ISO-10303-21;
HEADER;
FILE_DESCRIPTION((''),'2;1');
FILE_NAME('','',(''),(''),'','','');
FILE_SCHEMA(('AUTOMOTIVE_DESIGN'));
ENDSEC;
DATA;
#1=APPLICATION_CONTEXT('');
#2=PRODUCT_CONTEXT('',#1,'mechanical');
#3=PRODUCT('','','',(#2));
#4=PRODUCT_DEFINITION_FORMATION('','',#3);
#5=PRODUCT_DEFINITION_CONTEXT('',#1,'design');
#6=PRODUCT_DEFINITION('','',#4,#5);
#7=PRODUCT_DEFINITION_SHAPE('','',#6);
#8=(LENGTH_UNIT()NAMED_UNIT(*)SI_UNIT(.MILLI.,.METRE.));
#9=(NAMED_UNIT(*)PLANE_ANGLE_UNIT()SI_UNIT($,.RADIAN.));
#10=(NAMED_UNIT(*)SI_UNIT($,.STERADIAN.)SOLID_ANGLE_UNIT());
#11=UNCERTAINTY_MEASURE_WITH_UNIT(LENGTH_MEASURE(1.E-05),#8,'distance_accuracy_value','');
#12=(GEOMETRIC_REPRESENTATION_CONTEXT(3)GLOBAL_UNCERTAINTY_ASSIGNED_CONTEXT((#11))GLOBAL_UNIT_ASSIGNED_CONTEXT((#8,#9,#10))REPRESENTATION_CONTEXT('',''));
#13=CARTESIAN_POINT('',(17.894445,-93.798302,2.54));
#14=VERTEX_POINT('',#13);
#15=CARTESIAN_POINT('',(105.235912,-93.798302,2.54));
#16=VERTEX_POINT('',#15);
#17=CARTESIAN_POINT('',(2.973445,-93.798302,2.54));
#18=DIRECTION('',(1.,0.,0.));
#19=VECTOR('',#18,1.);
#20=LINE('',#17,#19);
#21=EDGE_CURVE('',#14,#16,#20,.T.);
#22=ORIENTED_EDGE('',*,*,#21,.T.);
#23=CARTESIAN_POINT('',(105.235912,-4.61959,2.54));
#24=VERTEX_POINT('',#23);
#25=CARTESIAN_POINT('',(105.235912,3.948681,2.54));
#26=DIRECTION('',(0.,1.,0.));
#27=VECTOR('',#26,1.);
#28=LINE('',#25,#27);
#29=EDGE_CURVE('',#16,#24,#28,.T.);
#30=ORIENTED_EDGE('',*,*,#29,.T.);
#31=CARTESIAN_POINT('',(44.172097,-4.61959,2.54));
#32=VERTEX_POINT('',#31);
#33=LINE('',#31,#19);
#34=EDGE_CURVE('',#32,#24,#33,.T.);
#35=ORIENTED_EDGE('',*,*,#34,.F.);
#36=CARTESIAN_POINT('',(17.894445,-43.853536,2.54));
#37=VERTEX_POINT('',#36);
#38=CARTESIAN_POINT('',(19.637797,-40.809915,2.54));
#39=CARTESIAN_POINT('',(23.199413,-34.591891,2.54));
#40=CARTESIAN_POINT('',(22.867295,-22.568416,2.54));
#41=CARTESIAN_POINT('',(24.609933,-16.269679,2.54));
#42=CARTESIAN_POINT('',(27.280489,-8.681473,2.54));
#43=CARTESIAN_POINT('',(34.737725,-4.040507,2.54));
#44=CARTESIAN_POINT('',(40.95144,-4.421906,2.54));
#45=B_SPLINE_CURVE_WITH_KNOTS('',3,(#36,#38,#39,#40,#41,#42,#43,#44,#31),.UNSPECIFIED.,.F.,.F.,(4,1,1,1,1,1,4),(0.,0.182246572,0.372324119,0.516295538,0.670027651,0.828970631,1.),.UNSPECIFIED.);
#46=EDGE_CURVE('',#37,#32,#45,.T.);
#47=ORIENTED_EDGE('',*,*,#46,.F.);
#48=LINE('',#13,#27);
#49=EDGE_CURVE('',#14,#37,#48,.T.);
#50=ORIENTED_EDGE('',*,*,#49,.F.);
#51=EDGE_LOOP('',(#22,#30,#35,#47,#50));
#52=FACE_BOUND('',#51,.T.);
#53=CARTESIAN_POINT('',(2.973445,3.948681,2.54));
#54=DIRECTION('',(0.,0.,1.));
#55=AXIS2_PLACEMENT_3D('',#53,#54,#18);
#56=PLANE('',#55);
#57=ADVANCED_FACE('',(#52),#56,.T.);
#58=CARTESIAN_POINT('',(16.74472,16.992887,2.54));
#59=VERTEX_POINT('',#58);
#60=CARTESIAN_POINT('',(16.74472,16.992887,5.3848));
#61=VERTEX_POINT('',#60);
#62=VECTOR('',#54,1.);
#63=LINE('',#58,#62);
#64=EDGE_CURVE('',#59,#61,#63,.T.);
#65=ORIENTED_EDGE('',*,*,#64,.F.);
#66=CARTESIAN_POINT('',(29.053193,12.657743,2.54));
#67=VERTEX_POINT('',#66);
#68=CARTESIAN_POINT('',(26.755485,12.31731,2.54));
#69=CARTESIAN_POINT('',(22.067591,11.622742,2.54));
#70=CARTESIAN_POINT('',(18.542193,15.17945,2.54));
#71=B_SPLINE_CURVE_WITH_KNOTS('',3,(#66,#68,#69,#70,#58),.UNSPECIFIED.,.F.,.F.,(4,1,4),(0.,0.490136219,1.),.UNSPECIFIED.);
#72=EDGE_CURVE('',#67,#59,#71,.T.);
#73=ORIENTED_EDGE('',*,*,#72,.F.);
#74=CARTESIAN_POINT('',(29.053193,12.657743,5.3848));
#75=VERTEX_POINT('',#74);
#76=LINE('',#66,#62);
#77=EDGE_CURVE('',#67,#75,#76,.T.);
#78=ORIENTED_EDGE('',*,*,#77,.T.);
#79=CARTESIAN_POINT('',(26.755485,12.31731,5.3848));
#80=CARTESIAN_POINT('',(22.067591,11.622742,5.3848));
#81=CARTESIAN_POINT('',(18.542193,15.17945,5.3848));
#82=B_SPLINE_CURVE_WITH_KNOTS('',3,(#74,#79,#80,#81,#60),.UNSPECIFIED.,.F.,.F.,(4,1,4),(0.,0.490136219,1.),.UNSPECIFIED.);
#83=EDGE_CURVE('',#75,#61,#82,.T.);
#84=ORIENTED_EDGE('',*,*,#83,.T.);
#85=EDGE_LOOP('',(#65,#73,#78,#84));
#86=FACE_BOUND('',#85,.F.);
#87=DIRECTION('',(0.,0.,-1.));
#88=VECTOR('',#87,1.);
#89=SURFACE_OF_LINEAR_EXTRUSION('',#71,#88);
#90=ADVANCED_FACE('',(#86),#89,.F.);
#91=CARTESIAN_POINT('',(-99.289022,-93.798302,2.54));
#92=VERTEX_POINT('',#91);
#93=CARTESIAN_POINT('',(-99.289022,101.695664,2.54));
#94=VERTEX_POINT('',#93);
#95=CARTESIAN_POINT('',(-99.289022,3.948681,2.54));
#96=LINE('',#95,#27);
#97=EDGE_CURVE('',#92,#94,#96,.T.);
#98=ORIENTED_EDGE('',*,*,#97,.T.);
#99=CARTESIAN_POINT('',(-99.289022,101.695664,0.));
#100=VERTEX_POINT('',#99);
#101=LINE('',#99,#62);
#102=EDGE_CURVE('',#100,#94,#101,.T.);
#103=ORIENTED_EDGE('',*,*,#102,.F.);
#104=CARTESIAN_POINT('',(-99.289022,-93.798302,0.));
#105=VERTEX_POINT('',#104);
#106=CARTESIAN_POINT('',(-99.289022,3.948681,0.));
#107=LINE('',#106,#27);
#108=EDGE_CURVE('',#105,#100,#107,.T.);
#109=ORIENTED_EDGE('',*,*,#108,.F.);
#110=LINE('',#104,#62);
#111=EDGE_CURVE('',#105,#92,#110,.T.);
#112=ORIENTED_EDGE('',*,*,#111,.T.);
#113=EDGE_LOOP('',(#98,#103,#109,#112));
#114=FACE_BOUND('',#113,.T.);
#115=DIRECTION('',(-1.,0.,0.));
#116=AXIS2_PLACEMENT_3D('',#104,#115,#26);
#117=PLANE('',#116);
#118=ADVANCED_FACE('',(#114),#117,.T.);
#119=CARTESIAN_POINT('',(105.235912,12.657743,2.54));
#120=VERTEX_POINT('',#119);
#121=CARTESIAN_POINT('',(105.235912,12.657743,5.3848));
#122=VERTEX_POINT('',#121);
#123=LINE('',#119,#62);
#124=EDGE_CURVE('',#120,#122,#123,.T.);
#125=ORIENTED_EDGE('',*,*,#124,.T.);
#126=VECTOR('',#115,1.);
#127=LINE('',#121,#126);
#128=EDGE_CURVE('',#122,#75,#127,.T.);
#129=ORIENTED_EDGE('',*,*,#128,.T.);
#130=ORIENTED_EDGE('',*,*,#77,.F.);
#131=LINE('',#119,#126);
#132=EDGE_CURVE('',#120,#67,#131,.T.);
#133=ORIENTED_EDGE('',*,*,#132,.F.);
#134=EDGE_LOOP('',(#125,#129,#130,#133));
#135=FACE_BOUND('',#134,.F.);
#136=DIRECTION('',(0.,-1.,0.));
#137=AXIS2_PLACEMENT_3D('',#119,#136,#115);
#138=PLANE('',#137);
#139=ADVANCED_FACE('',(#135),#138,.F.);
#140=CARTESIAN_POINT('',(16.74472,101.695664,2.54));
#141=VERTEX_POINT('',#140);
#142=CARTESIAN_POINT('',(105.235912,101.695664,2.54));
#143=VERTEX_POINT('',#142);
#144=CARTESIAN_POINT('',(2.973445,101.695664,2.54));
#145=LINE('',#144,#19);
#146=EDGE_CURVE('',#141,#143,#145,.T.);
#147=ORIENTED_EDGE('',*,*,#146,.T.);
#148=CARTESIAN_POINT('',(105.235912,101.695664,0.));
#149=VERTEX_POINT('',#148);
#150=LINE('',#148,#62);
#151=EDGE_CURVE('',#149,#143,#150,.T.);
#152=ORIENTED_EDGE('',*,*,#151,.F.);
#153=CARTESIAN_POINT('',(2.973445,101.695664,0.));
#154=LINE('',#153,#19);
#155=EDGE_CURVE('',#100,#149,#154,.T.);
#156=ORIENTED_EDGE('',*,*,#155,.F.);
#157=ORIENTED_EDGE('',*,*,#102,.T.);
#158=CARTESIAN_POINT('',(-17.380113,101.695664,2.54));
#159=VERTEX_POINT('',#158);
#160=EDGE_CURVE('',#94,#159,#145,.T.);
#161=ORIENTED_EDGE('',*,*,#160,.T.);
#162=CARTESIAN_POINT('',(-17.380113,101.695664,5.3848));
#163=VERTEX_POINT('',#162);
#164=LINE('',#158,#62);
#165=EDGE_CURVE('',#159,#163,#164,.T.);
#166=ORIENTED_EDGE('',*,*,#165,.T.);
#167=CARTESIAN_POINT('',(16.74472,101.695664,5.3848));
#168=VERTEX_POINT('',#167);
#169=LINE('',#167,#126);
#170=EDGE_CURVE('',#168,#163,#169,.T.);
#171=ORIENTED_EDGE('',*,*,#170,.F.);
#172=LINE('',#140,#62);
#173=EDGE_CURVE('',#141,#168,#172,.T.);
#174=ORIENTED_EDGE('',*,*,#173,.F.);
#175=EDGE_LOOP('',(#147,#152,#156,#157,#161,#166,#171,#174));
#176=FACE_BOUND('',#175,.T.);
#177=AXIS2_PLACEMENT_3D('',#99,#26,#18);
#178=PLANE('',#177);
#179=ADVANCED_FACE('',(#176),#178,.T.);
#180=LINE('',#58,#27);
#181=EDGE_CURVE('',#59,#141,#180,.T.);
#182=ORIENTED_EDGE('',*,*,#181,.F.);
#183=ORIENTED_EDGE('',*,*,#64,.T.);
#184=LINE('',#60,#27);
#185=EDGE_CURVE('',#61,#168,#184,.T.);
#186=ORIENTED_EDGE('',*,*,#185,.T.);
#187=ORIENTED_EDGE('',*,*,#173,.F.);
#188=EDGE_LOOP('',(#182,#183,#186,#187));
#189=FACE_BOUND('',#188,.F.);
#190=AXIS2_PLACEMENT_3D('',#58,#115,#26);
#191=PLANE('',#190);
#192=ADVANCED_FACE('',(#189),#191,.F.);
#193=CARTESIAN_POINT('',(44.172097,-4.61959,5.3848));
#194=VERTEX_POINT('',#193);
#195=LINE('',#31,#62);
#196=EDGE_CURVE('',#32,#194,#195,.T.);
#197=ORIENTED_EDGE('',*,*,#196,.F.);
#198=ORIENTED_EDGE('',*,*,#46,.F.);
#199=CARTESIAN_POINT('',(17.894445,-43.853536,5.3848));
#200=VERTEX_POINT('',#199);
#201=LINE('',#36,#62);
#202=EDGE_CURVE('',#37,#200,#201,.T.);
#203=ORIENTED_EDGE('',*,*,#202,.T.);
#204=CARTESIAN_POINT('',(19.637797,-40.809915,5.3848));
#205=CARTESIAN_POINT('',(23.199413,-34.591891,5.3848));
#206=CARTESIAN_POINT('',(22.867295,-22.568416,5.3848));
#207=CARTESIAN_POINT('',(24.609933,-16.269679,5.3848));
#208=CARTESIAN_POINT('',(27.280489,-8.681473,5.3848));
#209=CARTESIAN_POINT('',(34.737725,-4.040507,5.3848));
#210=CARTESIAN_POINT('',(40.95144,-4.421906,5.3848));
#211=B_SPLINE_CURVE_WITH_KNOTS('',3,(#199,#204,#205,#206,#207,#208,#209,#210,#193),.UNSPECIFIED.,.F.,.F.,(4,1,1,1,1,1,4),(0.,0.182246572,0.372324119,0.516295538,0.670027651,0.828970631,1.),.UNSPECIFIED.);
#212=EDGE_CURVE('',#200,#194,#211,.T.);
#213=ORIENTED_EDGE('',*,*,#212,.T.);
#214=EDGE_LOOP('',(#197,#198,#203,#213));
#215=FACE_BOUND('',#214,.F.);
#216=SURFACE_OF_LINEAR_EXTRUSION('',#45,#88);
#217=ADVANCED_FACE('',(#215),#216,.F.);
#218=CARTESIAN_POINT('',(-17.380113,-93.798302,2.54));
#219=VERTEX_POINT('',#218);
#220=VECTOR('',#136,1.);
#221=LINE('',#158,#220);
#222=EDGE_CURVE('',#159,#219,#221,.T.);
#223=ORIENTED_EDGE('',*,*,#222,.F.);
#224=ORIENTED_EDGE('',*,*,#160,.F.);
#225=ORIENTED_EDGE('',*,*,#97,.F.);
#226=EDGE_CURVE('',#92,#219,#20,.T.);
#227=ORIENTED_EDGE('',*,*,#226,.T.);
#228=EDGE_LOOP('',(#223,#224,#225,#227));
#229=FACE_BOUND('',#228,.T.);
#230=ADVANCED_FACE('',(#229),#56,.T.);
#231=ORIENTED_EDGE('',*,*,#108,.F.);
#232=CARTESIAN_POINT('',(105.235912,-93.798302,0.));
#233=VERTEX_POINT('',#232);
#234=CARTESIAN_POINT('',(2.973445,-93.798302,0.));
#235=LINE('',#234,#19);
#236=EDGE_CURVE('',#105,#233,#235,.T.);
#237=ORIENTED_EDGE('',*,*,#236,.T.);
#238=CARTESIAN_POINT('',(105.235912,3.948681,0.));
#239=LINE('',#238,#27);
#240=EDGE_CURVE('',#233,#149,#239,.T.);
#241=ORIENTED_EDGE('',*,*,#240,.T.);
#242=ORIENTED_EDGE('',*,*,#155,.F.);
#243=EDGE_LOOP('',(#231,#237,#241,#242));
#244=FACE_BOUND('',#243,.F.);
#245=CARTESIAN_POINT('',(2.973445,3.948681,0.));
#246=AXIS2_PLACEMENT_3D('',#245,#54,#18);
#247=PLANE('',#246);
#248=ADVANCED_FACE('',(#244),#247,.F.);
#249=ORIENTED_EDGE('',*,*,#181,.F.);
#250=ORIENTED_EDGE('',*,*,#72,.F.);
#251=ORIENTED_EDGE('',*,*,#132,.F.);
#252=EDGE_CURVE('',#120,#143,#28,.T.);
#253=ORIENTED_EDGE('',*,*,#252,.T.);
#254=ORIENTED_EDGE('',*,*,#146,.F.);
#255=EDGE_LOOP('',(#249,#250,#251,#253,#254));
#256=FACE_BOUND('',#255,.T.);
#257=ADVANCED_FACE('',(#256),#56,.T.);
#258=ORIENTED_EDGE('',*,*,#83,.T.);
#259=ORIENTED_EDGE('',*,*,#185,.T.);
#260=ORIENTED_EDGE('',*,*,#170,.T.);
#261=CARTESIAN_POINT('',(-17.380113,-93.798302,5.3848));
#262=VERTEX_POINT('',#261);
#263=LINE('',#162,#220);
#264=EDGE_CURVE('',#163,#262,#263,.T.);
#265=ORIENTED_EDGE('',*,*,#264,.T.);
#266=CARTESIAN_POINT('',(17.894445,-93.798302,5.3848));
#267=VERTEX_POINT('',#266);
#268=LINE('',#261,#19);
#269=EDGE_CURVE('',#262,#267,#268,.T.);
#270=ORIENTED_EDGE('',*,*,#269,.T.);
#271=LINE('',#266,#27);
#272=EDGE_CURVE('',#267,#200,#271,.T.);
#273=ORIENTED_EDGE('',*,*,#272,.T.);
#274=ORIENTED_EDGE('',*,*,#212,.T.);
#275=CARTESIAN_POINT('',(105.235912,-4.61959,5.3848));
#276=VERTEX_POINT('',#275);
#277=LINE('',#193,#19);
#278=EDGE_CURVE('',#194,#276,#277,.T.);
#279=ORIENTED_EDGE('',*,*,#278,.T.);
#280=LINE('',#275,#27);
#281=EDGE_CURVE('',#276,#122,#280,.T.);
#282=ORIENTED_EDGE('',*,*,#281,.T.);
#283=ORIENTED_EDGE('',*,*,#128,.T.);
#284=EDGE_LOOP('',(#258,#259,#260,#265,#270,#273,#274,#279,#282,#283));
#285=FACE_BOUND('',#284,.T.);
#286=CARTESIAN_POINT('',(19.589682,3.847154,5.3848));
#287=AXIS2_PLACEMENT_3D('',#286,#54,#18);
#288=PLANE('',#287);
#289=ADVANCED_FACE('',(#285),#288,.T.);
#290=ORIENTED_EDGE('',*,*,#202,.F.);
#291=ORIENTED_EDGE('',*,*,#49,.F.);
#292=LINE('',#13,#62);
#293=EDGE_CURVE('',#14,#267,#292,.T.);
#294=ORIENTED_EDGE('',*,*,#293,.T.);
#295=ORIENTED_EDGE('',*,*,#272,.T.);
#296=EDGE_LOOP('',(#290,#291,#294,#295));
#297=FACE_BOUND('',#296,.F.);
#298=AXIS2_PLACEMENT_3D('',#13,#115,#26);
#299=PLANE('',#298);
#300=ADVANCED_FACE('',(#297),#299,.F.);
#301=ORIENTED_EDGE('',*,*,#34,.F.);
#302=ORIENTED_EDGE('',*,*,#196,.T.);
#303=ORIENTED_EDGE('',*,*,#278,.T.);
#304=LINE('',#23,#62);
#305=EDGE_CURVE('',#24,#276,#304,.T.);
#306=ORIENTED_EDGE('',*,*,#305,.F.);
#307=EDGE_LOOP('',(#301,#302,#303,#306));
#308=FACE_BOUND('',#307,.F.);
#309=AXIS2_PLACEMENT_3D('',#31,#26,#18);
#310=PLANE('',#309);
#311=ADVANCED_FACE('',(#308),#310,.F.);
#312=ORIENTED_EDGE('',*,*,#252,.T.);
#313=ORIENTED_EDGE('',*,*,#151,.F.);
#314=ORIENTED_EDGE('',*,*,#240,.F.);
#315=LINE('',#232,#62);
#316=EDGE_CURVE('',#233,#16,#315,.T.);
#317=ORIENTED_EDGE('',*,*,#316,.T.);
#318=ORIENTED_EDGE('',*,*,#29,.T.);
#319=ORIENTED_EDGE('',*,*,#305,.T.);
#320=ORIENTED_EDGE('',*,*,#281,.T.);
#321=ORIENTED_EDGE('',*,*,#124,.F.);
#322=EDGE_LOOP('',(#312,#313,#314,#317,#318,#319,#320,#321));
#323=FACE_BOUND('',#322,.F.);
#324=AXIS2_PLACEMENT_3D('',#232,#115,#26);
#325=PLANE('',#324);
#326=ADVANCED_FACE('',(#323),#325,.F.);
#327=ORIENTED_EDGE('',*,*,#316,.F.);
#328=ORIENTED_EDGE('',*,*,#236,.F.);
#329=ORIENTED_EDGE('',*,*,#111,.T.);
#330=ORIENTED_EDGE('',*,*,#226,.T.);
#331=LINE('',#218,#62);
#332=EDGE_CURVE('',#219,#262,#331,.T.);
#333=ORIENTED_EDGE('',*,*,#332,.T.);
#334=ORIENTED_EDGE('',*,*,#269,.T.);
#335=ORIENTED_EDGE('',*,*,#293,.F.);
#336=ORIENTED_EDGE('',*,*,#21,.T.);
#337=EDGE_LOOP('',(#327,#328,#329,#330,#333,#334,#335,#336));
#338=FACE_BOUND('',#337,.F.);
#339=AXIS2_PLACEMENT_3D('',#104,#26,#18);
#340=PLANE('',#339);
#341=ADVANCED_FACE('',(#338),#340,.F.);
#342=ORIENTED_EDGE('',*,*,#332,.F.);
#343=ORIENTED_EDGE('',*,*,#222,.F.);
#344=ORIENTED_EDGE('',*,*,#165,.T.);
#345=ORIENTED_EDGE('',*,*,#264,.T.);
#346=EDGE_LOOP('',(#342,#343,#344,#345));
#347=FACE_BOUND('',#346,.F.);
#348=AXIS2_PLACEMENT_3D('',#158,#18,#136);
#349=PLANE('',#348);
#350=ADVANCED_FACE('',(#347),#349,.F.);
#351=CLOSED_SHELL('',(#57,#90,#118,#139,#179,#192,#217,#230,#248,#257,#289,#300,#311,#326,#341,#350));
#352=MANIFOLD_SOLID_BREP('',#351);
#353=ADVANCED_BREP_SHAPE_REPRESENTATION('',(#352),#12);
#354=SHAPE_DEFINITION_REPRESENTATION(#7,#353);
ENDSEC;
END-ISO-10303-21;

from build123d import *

# Parameters (mm, degrees)
F0_W     = 204.5249342918
F0_H     = 195.493966341
F1_DEPTH = 2.54
F3_DEPTH = 2.8448


with BuildPart() as f1:
    # F0 (on Top) → F1 (new body)
    with BuildSketch(Plane.XY):
        with Locations((2.9734447598, 3.9486810565)):
            Rectangle(F0_W, F0_H)
    extrude(amount=F1_DEPTH)

    # F2 (on face) → F3 (join)
    with BuildSketch(Plane.XY.offset(2.54)):
        with BuildLine():
            Line((-17.3801127821, -43.1336462498), (-17.3801127821, -93.798302114))
            Line((-17.3801127821, -93.798302114), (17.8944449872, -93.798302114))
            Line((17.8944449872, -93.798302114), (17.8944449872, -43.8535362482))
            add(Edge.make_bspline(
                [(17.8944449872, -43.8535362482), (19.6377973848, -40.8099152189), (23.1994125002, -34.5918914397), (22.8672950733, -22.568415978), (24.6099326679, -16.2696792332), (27.280489177, -8.681472684), (34.7377245339, -4.0405072298), (40.9514398387, -4.4219057306), (44.1720969975, -4.6195900068)],
                knots=[0, 0, 0, 0, 0.1822465719, 0.3723241188, 0.5162955376, 0.6700276511, 0.828970631, 1, 1, 1, 1], degree=3))
            Line((44.1720969975, -4.6195900068), (105.2359119058, -4.6195900068))
            Line((105.2359119058, -4.6195900068), (105.2359119058, 12.6577429473))
            Line((105.2359119058, 12.6577429473), (36.2526699901, 12.6577429473))
            Line((36.2526699901, 12.6577429473), (29.0531925857, 12.6577429473))
            add(Edge.make_bspline(
                [(29.0531925857, 12.6577429473), (26.7554854749, 12.3173098622), (22.0675905119, 11.6227415521), (18.5421925524, 15.1794504397), (16.7447198182, 16.992887482)],
                knots=[0, 0, 0, 0, 0.4901362187, 1, 1, 1, 1], degree=3))
            Line((16.7447198182, 16.992887482), (16.7447198182, 101.695664227))
            Line((16.7447198182, 101.695664227), (-17.3801127821, 101.695664227))
            Line((-17.3801127821, 101.695664227), (-17.3801127821, -43.1336462498))
        make_face()
    extrude(amount=F3_DEPTH)


solid = f1.part
